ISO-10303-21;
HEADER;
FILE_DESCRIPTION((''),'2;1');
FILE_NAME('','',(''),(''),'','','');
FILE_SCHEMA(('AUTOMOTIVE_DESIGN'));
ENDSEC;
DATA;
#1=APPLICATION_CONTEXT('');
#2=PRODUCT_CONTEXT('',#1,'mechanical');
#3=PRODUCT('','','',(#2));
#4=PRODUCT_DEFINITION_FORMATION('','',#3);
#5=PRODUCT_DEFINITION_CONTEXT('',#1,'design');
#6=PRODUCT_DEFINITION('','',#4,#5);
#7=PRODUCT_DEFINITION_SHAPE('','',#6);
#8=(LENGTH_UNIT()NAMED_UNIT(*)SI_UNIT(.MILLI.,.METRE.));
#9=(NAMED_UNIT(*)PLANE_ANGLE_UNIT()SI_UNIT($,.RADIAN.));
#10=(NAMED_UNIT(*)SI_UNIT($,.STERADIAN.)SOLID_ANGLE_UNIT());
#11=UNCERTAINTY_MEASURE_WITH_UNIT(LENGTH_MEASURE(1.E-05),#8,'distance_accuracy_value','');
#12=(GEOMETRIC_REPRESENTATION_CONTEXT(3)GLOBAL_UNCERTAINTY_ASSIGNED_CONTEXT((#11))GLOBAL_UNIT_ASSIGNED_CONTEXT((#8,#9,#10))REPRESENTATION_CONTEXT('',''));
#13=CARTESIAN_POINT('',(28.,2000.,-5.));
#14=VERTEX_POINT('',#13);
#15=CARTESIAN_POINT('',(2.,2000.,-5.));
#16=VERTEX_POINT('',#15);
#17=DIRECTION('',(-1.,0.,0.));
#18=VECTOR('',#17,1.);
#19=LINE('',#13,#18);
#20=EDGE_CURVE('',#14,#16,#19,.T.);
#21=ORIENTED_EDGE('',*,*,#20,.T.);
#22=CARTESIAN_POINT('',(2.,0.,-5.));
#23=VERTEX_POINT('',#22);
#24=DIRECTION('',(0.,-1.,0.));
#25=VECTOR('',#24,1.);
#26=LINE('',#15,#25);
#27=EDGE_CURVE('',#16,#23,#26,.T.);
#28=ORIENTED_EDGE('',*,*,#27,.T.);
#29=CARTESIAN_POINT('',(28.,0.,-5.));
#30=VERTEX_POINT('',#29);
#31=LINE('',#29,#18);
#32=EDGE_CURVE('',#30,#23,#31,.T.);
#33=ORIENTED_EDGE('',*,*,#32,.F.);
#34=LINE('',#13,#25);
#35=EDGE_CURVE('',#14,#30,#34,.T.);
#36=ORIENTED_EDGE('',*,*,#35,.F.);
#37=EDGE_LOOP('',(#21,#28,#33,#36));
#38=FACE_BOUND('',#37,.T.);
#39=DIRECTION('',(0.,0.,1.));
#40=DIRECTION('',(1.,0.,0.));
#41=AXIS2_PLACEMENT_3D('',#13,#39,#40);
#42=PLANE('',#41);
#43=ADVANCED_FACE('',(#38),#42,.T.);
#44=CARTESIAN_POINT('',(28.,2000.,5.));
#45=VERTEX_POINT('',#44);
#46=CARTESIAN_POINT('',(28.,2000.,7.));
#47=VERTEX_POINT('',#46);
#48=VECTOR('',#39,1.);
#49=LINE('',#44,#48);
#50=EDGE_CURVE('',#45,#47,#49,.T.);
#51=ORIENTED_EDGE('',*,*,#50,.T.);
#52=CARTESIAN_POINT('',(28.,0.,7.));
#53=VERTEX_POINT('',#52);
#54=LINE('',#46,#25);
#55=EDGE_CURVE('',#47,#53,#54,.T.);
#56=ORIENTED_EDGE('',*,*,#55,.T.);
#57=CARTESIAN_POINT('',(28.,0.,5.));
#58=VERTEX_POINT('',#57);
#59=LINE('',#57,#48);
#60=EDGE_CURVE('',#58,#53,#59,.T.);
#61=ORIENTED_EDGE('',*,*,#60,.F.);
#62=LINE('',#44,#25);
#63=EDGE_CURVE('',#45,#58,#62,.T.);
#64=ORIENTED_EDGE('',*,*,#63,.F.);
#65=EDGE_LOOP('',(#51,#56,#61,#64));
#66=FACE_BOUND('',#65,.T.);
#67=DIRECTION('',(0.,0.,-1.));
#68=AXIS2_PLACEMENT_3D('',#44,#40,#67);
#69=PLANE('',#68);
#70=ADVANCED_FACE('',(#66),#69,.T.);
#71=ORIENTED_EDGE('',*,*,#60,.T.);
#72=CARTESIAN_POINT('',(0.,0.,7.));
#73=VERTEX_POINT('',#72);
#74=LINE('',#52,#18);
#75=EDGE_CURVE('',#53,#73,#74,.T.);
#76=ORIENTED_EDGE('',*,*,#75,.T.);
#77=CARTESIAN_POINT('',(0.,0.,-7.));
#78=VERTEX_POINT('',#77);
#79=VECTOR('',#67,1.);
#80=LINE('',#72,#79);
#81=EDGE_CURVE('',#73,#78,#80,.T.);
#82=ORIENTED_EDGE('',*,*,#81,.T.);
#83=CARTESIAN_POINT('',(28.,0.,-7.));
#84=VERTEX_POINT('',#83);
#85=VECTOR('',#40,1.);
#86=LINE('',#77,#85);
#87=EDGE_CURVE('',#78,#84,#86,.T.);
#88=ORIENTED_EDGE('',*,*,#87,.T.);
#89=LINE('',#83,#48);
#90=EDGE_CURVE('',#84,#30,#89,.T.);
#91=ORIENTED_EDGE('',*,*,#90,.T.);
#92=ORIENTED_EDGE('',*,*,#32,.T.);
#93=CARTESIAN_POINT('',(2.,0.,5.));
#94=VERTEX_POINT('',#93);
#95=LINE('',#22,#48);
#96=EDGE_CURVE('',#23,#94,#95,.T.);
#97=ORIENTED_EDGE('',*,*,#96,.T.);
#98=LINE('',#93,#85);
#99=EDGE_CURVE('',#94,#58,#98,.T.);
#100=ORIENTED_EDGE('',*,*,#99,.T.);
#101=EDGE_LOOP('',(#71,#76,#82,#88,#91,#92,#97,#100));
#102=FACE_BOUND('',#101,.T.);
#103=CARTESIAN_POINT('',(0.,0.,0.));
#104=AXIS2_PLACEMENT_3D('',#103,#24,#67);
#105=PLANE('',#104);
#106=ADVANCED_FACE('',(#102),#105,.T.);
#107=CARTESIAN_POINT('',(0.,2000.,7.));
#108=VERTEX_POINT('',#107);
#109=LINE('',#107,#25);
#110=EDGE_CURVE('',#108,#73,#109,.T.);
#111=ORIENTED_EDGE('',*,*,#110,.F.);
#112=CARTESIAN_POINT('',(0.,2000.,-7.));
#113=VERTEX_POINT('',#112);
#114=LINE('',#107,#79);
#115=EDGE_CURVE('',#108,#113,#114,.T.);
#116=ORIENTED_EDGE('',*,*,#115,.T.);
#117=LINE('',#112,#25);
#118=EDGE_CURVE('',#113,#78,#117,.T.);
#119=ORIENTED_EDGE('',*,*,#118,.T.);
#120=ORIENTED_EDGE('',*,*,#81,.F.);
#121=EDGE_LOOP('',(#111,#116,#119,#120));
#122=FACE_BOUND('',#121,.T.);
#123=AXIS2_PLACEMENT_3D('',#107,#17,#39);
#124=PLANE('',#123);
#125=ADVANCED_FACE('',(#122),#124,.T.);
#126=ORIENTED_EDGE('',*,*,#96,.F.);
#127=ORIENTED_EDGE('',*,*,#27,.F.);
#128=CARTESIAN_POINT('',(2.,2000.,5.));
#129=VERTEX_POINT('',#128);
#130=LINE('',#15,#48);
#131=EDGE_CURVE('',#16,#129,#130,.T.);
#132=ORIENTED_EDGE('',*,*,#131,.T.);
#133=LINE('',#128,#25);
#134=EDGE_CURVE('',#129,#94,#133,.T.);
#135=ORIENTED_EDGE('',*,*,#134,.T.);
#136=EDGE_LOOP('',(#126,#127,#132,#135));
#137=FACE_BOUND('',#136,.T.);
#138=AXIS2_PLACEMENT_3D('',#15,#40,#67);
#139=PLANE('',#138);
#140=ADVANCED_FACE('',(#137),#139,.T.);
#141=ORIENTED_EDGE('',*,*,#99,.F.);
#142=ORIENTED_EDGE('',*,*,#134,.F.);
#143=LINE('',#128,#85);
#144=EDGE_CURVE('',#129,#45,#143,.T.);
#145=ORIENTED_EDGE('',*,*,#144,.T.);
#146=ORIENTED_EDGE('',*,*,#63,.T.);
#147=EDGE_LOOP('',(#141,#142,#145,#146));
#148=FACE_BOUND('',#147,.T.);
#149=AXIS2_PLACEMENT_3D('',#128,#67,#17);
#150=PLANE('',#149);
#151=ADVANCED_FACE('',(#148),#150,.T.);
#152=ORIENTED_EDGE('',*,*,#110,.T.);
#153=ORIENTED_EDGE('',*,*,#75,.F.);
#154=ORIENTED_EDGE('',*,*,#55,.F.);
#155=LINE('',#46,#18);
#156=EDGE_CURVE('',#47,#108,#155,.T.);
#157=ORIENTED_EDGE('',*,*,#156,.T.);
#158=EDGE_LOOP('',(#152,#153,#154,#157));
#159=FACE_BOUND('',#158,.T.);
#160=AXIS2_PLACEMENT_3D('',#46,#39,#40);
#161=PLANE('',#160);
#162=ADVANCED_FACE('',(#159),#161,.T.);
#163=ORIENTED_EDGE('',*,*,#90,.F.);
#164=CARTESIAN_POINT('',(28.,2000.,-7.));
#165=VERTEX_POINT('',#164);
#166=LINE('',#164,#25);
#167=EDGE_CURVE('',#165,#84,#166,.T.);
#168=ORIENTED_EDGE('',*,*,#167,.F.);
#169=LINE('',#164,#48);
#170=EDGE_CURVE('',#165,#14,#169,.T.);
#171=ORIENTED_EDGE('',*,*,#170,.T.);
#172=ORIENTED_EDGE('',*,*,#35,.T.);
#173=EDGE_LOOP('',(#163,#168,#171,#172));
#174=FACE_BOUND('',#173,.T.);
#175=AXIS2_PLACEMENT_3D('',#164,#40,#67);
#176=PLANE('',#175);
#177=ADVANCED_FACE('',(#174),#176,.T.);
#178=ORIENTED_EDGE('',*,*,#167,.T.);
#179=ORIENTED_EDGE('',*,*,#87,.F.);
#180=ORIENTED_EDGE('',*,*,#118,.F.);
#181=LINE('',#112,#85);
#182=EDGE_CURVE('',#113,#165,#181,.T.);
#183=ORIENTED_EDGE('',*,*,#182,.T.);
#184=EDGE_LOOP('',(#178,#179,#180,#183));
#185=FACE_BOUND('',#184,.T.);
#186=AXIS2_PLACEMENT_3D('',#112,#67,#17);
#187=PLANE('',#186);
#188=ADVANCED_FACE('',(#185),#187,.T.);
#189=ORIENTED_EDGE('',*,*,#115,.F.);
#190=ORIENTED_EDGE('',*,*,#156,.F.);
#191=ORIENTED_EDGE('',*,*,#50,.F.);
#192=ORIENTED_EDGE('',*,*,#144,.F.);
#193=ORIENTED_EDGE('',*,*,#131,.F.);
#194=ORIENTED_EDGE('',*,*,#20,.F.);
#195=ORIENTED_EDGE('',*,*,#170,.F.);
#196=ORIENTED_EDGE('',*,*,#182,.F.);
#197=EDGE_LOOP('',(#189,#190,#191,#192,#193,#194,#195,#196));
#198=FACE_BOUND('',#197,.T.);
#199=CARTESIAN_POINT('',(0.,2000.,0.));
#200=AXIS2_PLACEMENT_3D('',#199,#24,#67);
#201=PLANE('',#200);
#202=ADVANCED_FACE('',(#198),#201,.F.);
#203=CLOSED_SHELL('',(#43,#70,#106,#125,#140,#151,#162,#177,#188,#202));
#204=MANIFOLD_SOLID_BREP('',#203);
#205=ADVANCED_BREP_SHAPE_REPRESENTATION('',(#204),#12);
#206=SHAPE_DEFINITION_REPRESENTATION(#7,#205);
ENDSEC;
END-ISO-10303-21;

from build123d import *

# Parameters (mm, degrees)
EXTRUDE_1_DEPTH = 2000


with BuildPart() as part:
    # Эскиз2 → Бобышка-Вытянуть1 (new body)
    with BuildSketch(Plane(origin=(0, 0, 0), x_dir=(1, 0, 0), z_dir=(0, 1, 0))):
        Polygon((0, -7), (0, 7), (28, 7), (28, 5), (2, 5), (2, -5), (28, -5), (28, -7), align=None)
    extrude(amount=EXTRUDE_1_DEPTH)


solid = part.part
